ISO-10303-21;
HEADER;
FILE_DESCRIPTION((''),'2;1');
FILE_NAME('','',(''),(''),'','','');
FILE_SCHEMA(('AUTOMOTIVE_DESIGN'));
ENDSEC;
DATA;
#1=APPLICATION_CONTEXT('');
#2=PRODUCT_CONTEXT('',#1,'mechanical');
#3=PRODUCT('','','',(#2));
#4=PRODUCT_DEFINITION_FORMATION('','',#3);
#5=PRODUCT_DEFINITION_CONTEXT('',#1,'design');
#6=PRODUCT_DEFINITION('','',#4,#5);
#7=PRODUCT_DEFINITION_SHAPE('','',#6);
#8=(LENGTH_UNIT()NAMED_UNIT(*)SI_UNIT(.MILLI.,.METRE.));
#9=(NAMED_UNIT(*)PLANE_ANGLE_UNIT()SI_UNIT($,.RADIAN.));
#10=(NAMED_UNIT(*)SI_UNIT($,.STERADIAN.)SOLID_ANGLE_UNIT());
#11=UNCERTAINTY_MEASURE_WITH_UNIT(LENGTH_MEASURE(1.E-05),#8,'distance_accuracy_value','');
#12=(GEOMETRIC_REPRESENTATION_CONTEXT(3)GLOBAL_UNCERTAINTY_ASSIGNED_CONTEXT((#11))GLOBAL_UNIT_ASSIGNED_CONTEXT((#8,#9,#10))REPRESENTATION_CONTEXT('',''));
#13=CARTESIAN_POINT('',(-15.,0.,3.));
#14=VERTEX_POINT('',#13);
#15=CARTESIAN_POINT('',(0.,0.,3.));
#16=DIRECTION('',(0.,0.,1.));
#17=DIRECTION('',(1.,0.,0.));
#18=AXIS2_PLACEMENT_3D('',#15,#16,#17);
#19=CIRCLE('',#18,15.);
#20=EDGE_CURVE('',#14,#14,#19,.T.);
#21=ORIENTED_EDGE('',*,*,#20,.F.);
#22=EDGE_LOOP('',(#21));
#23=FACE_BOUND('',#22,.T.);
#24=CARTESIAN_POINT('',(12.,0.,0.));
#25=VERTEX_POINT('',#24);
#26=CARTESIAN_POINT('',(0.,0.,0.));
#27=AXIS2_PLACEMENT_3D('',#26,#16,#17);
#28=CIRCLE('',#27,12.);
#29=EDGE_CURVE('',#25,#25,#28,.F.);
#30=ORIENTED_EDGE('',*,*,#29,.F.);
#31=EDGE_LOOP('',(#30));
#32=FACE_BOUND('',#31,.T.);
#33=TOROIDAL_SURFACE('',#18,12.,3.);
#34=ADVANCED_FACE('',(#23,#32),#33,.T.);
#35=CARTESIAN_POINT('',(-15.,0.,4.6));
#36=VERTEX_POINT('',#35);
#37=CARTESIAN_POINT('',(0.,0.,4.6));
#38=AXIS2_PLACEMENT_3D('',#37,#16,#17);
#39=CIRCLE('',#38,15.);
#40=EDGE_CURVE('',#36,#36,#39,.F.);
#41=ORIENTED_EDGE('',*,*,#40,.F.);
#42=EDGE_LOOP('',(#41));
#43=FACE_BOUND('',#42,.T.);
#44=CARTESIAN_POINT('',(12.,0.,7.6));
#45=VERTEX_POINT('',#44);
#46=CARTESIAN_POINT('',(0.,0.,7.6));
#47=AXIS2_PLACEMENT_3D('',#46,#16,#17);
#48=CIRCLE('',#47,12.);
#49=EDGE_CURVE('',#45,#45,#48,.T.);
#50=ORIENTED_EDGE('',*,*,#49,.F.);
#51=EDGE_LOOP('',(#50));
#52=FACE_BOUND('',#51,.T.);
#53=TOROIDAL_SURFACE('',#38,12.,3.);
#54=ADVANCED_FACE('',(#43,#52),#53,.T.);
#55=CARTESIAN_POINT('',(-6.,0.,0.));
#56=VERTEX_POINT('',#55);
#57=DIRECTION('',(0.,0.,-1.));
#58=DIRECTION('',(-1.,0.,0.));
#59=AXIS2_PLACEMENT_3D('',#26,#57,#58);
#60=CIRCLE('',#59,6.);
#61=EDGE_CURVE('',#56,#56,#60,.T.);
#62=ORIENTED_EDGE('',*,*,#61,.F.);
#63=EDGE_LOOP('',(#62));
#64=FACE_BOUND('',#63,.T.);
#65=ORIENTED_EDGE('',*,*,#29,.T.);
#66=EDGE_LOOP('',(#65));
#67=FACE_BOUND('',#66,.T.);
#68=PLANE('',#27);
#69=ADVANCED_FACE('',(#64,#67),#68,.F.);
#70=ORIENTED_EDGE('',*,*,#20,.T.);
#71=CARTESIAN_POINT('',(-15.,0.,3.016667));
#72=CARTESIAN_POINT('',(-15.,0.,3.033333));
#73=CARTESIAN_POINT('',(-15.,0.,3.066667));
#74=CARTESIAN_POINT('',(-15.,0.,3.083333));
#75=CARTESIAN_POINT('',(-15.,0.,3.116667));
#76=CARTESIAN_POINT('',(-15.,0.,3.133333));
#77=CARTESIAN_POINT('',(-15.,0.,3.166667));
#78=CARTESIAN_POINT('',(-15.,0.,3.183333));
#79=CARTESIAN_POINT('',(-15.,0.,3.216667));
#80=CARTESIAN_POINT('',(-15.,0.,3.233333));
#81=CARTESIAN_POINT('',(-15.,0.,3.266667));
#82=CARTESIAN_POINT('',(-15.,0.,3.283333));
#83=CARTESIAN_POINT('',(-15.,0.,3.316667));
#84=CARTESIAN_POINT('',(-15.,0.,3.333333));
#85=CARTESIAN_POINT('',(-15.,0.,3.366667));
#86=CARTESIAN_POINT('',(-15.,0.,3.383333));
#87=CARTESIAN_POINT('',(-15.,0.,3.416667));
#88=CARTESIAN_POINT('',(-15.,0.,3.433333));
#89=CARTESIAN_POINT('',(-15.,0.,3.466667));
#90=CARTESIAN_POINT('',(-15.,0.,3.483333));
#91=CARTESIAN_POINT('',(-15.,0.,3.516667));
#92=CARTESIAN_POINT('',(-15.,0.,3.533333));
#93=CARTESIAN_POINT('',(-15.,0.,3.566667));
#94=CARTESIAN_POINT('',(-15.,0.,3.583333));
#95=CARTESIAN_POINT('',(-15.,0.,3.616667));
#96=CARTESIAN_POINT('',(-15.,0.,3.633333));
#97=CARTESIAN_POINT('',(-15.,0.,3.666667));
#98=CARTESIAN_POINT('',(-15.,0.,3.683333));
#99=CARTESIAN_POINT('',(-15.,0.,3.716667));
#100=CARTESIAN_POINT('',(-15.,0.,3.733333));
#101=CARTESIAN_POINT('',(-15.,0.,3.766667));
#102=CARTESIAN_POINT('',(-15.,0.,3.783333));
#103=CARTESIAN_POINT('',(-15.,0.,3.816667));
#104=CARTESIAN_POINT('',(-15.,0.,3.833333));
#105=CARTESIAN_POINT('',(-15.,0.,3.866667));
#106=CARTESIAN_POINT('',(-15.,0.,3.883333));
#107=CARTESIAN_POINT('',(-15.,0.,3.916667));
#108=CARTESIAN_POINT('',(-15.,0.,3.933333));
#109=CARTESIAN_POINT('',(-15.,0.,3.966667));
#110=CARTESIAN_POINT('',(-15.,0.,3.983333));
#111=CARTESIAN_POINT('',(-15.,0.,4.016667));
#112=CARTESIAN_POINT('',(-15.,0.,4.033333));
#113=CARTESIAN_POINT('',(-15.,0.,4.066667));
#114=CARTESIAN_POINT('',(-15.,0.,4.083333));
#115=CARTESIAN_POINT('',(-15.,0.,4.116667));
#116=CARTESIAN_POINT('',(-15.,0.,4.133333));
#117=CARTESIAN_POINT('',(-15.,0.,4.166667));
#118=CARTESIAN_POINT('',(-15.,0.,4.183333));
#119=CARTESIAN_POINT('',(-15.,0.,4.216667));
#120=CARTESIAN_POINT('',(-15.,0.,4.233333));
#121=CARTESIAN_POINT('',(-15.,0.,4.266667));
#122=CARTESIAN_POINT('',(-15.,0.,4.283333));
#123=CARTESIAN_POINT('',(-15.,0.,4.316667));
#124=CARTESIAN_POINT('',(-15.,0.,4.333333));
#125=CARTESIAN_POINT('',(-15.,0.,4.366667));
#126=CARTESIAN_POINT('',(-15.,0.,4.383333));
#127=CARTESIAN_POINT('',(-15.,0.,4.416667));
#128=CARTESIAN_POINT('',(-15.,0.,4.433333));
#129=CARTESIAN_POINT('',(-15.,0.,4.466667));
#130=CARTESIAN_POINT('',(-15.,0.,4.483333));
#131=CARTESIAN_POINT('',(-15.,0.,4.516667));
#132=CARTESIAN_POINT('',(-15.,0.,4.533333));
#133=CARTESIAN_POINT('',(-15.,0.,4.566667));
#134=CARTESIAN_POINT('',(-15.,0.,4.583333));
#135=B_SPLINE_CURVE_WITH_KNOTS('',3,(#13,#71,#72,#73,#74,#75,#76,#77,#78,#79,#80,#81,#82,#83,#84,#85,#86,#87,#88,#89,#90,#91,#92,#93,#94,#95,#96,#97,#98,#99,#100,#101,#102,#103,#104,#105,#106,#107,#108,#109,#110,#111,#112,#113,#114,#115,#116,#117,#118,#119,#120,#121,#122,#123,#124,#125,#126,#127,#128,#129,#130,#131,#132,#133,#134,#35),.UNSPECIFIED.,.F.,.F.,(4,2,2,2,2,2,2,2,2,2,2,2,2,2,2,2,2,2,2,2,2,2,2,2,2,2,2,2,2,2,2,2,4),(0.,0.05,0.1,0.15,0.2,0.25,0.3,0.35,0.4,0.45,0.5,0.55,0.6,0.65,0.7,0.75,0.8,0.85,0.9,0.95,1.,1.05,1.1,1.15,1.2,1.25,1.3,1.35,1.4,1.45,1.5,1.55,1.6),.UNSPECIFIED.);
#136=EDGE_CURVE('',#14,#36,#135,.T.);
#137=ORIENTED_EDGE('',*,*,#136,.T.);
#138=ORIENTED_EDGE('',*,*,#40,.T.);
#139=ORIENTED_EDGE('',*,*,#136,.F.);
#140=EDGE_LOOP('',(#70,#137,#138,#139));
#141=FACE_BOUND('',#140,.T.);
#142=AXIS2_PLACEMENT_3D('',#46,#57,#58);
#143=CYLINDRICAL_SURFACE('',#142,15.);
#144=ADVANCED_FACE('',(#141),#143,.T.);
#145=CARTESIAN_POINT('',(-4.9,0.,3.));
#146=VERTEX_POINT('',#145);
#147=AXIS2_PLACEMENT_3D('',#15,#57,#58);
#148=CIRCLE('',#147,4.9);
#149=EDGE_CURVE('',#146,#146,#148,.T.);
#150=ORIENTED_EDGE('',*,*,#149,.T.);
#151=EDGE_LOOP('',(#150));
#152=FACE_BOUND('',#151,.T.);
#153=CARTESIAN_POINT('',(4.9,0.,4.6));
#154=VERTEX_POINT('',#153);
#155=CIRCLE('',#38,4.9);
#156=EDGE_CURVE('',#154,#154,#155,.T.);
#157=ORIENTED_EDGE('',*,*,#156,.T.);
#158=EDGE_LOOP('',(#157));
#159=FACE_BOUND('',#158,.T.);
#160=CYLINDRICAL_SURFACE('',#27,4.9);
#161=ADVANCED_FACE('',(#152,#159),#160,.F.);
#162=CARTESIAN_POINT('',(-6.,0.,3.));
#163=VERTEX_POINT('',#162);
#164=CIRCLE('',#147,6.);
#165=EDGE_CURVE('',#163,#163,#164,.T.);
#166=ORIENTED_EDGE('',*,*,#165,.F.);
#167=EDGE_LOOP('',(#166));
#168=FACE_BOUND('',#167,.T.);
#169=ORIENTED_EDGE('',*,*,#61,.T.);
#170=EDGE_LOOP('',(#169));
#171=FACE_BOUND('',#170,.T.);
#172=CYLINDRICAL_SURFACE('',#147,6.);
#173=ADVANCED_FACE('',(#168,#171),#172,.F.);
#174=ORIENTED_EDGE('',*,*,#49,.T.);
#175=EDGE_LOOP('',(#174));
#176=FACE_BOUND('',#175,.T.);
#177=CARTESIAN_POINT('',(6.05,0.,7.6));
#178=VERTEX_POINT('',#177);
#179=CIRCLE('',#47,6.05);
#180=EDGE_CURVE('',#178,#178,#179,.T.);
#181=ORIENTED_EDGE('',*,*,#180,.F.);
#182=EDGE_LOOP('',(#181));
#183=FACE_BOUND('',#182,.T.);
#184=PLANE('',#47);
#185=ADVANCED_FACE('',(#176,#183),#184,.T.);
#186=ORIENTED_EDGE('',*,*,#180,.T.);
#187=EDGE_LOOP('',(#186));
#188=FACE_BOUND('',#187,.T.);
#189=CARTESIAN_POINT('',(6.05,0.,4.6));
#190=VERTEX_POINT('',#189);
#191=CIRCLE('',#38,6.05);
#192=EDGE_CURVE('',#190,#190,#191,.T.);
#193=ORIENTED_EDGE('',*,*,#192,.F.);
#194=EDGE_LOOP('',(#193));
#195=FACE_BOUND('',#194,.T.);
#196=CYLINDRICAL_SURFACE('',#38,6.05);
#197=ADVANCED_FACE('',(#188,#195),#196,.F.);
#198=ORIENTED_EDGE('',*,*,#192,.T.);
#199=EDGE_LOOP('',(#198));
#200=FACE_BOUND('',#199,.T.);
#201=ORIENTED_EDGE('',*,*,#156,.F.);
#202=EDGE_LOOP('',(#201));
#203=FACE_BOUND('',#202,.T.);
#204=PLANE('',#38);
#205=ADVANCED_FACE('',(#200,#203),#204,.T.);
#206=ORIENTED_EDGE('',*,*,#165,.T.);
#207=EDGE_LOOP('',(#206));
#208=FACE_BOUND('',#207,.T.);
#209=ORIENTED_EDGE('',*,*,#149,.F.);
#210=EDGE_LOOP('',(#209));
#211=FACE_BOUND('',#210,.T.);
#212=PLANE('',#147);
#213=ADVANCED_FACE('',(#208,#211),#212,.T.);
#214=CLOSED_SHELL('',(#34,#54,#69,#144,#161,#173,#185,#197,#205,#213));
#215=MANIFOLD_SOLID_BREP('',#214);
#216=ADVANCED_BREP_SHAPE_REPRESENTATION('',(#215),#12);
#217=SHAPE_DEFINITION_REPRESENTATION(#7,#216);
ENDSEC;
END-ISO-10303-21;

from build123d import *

# Parameters (mm, degrees)
SKETCH_1_R          = 15
EXTRUDE_1_DEPTH     = 7.6
SKETCH_2_R          = 6.05
CUT_EXTRUDE_1_DEPTH = 3
SKETCH_3_R          = 6
CUT_EXTRUDE_2_DEPTH = 3
SKETCH_4_R          = 4.9
CUT_EXTRUDE_3_DEPTH = 22.706220307
FILLET_1_R          = 3


with BuildPart() as part:
    # 草图1 → 凸台-拉伸1 (new body)
    with BuildSketch(Plane.XY):
        with Locations(Location((0, 0, 0), (0, 0, 180))):
            Circle(SKETCH_1_R)
    extrude(amount=EXTRUDE_1_DEPTH)

    # 草图2 → 切除-拉伸1 (cut)
    with BuildSketch(Plane.XY.offset(7.6)):
        Circle(SKETCH_2_R)
    extrude(amount=-CUT_EXTRUDE_1_DEPTH, mode=Mode.SUBTRACT)

    # 草图3 → 切除-拉伸2 (cut)
    with BuildSketch(Plane(origin=(0, 0, 0), x_dir=(-1, 0, 0), z_dir=(0, 0, -1))):
        Circle(SKETCH_3_R)
    extrude(amount=-CUT_EXTRUDE_2_DEPTH, mode=Mode.SUBTRACT)

    # 草图4 → 切除-拉伸3 (cut, through all)
    with BuildSketch(Plane.XY.offset(4.6)):
        Circle(SKETCH_4_R)
    extrude(amount=-CUT_EXTRUDE_3_DEPTH, mode=Mode.SUBTRACT)

    # 圆角1
    fillet_1_edges = [part.edges().sort_by_distance(p)[0] for p in [
        (15, 0, 0),
        (15, 0, 7.6),
    ]]
    fillet(fillet_1_edges, radius=FILLET_1_R)


solid = part.part
